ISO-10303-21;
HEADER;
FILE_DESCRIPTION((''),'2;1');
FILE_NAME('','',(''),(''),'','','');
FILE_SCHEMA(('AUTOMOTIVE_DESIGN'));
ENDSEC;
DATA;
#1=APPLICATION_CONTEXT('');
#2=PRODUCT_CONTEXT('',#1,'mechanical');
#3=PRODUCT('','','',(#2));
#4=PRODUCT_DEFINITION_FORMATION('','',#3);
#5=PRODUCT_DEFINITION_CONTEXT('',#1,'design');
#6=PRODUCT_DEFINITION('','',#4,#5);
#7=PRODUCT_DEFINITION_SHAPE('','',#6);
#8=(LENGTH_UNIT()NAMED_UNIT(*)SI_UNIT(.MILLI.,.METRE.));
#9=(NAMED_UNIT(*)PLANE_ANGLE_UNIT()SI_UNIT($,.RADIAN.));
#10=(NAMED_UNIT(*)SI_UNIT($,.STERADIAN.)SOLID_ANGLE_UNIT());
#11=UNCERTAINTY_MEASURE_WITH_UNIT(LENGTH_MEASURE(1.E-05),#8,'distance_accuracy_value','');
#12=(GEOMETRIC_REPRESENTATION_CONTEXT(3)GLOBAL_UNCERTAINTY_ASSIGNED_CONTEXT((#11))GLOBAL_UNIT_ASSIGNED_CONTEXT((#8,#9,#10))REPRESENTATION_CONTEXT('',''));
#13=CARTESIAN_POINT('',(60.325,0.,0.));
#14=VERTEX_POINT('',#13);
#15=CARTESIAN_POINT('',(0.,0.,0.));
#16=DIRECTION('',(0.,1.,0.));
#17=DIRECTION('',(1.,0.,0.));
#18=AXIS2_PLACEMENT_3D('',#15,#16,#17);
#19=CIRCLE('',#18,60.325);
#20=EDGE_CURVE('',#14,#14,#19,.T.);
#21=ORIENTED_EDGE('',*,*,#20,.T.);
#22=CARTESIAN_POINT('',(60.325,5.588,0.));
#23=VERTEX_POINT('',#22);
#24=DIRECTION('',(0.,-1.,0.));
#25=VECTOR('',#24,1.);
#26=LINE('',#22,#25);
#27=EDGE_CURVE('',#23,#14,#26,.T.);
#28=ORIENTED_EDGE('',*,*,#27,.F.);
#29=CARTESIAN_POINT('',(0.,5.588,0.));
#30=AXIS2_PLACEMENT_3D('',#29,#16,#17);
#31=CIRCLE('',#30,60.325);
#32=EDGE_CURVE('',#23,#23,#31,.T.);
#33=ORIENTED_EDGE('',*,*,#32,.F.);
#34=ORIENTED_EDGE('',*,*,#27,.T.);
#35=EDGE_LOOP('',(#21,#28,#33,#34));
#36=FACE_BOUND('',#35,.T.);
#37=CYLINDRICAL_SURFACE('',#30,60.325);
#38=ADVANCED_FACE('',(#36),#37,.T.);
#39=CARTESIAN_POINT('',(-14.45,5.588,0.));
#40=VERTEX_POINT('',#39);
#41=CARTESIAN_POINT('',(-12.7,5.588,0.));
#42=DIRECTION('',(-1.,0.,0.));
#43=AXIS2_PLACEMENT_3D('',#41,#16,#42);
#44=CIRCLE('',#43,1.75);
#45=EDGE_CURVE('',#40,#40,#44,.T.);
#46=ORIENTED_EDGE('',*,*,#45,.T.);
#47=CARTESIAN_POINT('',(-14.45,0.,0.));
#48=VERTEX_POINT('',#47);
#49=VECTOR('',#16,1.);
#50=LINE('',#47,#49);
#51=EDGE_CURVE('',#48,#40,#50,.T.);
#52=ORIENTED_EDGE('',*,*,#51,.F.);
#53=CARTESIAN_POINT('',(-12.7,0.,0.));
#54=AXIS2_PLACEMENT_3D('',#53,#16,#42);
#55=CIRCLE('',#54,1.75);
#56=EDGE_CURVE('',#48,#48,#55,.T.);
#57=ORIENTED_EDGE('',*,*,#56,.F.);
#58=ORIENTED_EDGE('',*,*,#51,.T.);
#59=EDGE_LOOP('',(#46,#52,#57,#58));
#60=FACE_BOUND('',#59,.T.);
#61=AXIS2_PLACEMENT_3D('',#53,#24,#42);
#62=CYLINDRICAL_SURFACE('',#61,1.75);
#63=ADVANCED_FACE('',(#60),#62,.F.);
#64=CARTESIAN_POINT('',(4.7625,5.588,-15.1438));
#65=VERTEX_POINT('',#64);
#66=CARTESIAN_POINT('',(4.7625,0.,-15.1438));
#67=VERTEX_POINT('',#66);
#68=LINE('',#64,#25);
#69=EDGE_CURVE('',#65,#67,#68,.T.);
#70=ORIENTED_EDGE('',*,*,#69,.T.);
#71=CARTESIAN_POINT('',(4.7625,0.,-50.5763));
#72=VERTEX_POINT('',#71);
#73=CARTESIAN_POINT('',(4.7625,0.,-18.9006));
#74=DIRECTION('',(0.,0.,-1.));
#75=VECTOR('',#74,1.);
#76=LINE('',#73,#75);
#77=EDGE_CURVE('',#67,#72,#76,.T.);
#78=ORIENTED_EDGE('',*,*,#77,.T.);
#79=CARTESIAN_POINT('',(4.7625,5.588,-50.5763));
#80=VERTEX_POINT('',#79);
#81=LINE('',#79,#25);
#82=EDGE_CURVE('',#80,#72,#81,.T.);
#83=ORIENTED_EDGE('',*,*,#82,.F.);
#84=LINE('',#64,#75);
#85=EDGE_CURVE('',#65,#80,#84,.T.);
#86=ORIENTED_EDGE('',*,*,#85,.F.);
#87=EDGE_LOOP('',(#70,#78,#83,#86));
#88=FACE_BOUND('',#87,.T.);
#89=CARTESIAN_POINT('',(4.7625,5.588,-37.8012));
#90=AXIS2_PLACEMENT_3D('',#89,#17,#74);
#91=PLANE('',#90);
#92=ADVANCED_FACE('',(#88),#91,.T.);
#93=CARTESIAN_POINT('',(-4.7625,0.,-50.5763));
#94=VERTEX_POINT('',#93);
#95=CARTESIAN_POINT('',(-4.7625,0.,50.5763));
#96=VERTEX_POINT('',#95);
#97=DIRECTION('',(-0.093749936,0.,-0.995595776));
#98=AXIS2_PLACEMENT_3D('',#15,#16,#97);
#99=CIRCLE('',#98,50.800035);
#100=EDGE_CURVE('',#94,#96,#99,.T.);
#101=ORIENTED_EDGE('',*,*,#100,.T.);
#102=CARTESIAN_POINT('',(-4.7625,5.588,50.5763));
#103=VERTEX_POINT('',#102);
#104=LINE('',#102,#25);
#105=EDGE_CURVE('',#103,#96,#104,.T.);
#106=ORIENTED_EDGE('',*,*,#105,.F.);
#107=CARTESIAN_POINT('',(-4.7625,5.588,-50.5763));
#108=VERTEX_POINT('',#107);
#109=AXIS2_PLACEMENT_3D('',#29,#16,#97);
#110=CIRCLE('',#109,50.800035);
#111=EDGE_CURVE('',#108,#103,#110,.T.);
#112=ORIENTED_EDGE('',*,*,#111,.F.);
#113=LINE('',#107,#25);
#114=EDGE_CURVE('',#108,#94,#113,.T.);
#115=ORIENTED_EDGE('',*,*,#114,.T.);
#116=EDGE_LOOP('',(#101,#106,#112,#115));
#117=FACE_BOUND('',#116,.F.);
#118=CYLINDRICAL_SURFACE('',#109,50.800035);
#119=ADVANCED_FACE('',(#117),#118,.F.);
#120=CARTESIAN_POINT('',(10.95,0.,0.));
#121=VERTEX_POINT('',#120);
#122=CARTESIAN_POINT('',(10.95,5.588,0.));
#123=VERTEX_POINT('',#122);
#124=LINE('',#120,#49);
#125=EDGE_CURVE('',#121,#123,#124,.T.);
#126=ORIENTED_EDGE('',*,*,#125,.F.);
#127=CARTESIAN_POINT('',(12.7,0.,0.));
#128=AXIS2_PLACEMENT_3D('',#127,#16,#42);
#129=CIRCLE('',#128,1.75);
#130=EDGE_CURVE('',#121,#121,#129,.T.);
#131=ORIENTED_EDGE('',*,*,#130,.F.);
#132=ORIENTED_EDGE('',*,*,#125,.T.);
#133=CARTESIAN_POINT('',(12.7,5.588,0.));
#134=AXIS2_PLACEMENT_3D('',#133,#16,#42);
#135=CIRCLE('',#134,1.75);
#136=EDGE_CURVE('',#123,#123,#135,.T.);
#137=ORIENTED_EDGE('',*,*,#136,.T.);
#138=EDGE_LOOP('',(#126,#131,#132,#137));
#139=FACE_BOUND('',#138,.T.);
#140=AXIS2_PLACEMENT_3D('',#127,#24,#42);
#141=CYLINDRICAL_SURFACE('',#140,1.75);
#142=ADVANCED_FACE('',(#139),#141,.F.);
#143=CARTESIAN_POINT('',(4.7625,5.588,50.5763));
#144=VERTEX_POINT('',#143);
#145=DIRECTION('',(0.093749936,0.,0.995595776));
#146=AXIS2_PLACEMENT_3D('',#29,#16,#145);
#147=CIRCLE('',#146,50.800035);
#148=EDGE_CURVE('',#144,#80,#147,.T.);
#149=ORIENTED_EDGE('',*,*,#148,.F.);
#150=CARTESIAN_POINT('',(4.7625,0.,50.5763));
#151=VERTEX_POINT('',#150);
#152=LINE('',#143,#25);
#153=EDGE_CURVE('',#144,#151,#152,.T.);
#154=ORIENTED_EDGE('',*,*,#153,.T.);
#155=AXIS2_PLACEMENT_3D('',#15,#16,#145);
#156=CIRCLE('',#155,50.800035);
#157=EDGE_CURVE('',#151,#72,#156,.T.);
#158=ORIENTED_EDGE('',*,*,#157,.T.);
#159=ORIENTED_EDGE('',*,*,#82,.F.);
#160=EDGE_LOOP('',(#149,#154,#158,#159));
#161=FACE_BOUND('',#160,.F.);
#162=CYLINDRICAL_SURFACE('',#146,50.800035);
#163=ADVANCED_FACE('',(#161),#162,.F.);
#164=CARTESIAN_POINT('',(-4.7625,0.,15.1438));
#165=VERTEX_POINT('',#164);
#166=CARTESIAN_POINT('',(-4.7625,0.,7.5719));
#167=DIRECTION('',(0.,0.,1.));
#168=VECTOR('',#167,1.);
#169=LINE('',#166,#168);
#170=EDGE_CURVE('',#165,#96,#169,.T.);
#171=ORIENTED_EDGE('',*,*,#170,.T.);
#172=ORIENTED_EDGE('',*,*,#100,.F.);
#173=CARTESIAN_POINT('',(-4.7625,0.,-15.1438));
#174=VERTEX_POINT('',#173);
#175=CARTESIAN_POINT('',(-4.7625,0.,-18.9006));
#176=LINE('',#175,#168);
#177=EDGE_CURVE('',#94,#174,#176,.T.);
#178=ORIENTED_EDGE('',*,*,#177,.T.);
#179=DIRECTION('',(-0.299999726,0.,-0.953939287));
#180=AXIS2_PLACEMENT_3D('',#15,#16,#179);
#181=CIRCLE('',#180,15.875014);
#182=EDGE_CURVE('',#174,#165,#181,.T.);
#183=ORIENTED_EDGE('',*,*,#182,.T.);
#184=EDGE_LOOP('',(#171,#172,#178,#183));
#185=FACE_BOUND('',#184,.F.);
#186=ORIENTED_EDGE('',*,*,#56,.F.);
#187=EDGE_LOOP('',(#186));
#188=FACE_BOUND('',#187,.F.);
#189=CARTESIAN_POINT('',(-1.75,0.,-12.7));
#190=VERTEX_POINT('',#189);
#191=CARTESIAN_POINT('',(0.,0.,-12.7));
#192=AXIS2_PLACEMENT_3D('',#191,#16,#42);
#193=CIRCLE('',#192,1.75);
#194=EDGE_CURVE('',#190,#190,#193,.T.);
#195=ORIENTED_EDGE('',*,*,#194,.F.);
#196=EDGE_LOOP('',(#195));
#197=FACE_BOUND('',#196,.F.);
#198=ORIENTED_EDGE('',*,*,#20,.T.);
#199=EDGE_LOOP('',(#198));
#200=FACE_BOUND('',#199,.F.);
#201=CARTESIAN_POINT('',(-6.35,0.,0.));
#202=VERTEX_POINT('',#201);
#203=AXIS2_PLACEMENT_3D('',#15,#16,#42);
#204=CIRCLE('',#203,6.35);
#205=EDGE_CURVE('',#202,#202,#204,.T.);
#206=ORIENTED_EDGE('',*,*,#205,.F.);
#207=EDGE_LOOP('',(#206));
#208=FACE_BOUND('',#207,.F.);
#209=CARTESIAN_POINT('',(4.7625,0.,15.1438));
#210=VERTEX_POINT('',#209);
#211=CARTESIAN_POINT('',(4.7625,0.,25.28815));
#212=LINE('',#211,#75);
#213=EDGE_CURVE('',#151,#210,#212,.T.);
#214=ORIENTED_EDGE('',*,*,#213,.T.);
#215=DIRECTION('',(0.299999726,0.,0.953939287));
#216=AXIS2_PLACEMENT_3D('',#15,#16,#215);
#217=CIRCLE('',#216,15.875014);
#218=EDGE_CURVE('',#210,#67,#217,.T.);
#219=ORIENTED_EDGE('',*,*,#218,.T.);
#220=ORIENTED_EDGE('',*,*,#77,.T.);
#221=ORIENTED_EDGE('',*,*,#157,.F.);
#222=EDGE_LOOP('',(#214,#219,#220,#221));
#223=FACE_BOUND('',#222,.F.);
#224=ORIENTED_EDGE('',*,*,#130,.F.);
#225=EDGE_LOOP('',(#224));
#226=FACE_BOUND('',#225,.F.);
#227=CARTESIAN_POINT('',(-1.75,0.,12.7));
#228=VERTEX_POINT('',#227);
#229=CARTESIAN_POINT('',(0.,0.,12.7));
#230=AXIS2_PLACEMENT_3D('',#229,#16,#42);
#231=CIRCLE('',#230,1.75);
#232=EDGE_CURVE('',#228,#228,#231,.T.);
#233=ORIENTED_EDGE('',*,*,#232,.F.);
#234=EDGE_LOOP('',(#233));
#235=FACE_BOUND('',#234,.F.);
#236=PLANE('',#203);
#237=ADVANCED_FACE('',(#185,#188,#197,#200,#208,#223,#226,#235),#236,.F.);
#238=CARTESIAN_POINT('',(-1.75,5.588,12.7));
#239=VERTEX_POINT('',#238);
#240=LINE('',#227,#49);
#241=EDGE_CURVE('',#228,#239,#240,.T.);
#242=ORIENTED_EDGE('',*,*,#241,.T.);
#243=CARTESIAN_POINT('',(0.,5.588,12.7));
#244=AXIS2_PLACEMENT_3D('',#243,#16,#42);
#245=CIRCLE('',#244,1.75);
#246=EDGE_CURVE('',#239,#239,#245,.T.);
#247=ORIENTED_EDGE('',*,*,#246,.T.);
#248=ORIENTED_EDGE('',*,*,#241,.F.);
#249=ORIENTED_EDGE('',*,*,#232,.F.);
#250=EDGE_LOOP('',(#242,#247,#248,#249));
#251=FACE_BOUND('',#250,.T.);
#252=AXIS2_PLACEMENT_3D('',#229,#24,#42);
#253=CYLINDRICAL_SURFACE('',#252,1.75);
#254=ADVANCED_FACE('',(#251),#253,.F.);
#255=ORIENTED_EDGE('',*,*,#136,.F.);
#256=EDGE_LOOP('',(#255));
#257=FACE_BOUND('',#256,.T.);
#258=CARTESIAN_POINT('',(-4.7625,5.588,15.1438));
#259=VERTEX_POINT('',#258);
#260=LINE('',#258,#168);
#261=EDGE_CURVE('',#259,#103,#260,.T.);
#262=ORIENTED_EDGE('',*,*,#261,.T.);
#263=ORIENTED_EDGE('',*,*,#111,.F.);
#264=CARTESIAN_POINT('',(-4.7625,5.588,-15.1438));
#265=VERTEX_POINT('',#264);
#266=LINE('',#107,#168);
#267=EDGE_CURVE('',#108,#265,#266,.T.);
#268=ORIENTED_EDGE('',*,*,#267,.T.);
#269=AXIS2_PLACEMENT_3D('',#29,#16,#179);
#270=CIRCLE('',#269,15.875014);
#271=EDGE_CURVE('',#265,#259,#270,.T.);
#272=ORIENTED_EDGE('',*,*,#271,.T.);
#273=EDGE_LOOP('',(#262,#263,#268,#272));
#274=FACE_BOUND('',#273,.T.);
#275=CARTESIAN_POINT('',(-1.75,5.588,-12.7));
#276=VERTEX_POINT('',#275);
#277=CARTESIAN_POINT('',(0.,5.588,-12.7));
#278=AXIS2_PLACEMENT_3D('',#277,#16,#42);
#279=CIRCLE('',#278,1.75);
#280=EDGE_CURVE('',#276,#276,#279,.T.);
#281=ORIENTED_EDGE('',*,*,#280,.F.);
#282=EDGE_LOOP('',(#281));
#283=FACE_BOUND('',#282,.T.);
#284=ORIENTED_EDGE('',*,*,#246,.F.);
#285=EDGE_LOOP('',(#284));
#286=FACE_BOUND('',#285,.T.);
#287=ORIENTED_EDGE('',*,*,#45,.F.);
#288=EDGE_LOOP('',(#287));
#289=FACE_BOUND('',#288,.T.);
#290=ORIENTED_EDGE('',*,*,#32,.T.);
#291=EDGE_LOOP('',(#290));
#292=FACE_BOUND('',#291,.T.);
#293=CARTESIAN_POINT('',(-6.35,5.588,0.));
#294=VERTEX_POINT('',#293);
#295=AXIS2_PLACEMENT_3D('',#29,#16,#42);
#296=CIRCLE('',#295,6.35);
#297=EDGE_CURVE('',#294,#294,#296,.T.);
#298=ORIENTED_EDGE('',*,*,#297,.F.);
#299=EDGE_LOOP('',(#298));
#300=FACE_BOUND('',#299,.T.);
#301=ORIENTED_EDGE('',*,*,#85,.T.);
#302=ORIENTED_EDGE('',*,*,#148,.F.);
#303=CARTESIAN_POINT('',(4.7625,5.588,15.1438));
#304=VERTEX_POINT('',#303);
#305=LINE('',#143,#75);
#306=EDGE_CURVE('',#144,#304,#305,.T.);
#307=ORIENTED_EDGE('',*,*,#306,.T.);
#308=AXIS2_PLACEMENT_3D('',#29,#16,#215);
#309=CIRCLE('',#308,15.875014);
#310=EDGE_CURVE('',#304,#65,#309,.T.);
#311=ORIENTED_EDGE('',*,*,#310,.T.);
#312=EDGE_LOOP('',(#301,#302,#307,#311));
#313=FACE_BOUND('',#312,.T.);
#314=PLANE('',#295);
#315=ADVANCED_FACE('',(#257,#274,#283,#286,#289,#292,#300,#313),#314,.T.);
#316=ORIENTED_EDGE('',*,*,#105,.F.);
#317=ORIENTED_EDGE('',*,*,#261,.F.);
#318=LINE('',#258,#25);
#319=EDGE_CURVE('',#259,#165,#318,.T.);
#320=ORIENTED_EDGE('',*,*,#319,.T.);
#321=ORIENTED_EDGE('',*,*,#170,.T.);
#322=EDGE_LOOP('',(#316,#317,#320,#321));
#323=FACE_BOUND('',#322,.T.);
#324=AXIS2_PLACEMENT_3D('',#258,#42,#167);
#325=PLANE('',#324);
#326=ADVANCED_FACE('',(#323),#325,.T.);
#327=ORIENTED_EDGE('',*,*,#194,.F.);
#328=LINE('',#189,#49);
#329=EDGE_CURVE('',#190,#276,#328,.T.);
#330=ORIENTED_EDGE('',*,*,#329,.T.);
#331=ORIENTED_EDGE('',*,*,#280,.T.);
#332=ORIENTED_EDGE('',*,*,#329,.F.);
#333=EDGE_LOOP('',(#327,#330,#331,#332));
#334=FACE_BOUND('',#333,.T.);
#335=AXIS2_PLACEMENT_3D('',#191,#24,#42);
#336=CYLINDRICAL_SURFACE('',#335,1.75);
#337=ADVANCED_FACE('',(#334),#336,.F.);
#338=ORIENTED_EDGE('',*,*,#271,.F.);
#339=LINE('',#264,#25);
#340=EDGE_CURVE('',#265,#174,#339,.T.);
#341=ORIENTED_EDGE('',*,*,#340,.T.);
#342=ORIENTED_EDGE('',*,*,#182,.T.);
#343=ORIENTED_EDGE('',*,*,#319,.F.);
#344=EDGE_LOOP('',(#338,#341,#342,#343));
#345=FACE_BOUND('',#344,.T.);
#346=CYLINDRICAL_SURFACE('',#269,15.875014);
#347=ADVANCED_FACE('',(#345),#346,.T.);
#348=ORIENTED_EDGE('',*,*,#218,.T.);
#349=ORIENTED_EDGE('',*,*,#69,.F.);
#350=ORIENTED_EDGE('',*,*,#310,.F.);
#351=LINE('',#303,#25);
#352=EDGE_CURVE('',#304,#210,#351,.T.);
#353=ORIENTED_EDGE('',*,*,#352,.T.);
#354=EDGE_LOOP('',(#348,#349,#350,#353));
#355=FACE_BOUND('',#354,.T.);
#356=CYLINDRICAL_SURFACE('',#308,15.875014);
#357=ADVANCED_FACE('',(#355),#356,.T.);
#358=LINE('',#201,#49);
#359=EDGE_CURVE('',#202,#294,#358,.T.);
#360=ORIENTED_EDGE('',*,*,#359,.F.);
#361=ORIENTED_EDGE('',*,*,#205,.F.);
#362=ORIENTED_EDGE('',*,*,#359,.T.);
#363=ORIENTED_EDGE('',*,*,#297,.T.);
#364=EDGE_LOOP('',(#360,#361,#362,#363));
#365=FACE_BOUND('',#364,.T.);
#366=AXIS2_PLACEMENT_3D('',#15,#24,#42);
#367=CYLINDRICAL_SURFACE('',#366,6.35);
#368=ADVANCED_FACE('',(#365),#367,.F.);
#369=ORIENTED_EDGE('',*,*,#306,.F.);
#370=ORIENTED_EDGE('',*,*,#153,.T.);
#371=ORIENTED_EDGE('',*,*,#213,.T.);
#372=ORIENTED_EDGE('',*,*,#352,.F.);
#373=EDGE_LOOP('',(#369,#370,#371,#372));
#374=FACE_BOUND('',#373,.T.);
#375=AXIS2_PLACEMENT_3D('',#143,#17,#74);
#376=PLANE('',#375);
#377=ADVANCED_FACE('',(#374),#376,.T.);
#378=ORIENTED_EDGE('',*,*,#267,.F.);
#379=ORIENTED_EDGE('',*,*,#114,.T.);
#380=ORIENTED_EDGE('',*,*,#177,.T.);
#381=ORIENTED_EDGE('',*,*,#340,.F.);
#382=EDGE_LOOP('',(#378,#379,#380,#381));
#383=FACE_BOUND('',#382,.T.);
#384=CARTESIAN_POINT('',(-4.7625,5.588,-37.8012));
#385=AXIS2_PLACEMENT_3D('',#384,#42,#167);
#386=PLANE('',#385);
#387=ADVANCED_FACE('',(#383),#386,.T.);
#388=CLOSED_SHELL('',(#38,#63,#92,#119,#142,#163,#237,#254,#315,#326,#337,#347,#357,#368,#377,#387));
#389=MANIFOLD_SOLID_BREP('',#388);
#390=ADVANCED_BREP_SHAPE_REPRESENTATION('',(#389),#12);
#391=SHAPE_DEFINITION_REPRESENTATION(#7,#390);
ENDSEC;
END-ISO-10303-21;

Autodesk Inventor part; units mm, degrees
ref_plane "YZ Plane" through (0, 0, 0) normal (1, 0, 0) x (0, 1, 0)
ref_plane "XZ Plane" through (0, 0, 0) normal (0, 1, 0) x (-1, 0, 0)
ref_plane "XY Plane" through (0, 0, 0) normal (0, 0, 1) x (1, 0, 0)
sketch "Sketch1" plane through (0, 0, 0) normal (0, 1, 0) x (-1, 0, 0)
  circle A0 centre (0, 0) radius 63.5
  circle A1 centre (0, 0) radius 6.35
  circle A2 centre (-12.7, 0) radius 1.75
  circle A3 centre (0, -12.7) radius 1.75
  circle A4 centre (12.7, 0) radius 1.75
  circle A5 centre (0, 12.7) radius 1.75
  dimension "d8" = 3.5
  dimension "d9" = 3.5
  dimension "d10" = 3.5
  dimension "d11" = 3.5
extrude "Extrusion1" add sketch "Sketch1" along normal blind 5.588
sketch "Sketch2" plane through (0, 5.588, 0) normal (0, 1, 0) x (1, 0, 0)
  circle A0 centre (0, 0) radius 63.5 projected
  line L0 (-4.7625, 37.8012) -> (-4.7625, 15.1438)
  line L1 (-4.7625, -15.1438) -> (-4.7625, -37.8012)
  line L2 (4.7625, 37.8012) -> (4.7625, 15.1438)
  line L3 (4.7625, -15.1438) -> (4.7625, -37.8012)
  arc A1 (-4.7625, 15.1438) -> (-4.7625, -15.1438) centre (0, 0) ccw
  arc A2 (4.7625, -15.1438) -> (4.7625, 15.1438) centre (0, 0) ccw
  arc A3 (-4.7625, 50.5763) -> (-4.7625, -50.5763) centre (0, 0) ccw
  arc A4 (4.7625, -50.5763) -> (4.7625, 50.5763) centre (0, 0) ccw
  line L4 (-4.7625, 50.5763) -> (-4.7625, 15.1438)
  line L5 (-4.7625, -15.1438) -> (-4.7625, -50.5763)
  line L6 (4.7625, -50.5763) -> (4.7625, -15.1438)
  line L7 (4.7625, 15.1438) -> (4.7625, 50.5763)
extrude "Extrusion3" cut sketch "Sketch2" against normal blind 25.4 contours L0 A1 L1 L5 A3 L4 | L7 A4 L6 L3 A2 L2
sketch "Sketch3" plane through (0, 5.588, 0) normal (0, 1, 0) x (1, 0, 0)
  circle A0 centre (0, 0) radius 63.5
  circle A1 centre (0, 0) radius 60.325
  dimension "d24" = 120.65
extrude "Extrusion4" cut sketch "Sketch3" against normal blind 25.4
properties part number "AcrylicFlywheel3"
